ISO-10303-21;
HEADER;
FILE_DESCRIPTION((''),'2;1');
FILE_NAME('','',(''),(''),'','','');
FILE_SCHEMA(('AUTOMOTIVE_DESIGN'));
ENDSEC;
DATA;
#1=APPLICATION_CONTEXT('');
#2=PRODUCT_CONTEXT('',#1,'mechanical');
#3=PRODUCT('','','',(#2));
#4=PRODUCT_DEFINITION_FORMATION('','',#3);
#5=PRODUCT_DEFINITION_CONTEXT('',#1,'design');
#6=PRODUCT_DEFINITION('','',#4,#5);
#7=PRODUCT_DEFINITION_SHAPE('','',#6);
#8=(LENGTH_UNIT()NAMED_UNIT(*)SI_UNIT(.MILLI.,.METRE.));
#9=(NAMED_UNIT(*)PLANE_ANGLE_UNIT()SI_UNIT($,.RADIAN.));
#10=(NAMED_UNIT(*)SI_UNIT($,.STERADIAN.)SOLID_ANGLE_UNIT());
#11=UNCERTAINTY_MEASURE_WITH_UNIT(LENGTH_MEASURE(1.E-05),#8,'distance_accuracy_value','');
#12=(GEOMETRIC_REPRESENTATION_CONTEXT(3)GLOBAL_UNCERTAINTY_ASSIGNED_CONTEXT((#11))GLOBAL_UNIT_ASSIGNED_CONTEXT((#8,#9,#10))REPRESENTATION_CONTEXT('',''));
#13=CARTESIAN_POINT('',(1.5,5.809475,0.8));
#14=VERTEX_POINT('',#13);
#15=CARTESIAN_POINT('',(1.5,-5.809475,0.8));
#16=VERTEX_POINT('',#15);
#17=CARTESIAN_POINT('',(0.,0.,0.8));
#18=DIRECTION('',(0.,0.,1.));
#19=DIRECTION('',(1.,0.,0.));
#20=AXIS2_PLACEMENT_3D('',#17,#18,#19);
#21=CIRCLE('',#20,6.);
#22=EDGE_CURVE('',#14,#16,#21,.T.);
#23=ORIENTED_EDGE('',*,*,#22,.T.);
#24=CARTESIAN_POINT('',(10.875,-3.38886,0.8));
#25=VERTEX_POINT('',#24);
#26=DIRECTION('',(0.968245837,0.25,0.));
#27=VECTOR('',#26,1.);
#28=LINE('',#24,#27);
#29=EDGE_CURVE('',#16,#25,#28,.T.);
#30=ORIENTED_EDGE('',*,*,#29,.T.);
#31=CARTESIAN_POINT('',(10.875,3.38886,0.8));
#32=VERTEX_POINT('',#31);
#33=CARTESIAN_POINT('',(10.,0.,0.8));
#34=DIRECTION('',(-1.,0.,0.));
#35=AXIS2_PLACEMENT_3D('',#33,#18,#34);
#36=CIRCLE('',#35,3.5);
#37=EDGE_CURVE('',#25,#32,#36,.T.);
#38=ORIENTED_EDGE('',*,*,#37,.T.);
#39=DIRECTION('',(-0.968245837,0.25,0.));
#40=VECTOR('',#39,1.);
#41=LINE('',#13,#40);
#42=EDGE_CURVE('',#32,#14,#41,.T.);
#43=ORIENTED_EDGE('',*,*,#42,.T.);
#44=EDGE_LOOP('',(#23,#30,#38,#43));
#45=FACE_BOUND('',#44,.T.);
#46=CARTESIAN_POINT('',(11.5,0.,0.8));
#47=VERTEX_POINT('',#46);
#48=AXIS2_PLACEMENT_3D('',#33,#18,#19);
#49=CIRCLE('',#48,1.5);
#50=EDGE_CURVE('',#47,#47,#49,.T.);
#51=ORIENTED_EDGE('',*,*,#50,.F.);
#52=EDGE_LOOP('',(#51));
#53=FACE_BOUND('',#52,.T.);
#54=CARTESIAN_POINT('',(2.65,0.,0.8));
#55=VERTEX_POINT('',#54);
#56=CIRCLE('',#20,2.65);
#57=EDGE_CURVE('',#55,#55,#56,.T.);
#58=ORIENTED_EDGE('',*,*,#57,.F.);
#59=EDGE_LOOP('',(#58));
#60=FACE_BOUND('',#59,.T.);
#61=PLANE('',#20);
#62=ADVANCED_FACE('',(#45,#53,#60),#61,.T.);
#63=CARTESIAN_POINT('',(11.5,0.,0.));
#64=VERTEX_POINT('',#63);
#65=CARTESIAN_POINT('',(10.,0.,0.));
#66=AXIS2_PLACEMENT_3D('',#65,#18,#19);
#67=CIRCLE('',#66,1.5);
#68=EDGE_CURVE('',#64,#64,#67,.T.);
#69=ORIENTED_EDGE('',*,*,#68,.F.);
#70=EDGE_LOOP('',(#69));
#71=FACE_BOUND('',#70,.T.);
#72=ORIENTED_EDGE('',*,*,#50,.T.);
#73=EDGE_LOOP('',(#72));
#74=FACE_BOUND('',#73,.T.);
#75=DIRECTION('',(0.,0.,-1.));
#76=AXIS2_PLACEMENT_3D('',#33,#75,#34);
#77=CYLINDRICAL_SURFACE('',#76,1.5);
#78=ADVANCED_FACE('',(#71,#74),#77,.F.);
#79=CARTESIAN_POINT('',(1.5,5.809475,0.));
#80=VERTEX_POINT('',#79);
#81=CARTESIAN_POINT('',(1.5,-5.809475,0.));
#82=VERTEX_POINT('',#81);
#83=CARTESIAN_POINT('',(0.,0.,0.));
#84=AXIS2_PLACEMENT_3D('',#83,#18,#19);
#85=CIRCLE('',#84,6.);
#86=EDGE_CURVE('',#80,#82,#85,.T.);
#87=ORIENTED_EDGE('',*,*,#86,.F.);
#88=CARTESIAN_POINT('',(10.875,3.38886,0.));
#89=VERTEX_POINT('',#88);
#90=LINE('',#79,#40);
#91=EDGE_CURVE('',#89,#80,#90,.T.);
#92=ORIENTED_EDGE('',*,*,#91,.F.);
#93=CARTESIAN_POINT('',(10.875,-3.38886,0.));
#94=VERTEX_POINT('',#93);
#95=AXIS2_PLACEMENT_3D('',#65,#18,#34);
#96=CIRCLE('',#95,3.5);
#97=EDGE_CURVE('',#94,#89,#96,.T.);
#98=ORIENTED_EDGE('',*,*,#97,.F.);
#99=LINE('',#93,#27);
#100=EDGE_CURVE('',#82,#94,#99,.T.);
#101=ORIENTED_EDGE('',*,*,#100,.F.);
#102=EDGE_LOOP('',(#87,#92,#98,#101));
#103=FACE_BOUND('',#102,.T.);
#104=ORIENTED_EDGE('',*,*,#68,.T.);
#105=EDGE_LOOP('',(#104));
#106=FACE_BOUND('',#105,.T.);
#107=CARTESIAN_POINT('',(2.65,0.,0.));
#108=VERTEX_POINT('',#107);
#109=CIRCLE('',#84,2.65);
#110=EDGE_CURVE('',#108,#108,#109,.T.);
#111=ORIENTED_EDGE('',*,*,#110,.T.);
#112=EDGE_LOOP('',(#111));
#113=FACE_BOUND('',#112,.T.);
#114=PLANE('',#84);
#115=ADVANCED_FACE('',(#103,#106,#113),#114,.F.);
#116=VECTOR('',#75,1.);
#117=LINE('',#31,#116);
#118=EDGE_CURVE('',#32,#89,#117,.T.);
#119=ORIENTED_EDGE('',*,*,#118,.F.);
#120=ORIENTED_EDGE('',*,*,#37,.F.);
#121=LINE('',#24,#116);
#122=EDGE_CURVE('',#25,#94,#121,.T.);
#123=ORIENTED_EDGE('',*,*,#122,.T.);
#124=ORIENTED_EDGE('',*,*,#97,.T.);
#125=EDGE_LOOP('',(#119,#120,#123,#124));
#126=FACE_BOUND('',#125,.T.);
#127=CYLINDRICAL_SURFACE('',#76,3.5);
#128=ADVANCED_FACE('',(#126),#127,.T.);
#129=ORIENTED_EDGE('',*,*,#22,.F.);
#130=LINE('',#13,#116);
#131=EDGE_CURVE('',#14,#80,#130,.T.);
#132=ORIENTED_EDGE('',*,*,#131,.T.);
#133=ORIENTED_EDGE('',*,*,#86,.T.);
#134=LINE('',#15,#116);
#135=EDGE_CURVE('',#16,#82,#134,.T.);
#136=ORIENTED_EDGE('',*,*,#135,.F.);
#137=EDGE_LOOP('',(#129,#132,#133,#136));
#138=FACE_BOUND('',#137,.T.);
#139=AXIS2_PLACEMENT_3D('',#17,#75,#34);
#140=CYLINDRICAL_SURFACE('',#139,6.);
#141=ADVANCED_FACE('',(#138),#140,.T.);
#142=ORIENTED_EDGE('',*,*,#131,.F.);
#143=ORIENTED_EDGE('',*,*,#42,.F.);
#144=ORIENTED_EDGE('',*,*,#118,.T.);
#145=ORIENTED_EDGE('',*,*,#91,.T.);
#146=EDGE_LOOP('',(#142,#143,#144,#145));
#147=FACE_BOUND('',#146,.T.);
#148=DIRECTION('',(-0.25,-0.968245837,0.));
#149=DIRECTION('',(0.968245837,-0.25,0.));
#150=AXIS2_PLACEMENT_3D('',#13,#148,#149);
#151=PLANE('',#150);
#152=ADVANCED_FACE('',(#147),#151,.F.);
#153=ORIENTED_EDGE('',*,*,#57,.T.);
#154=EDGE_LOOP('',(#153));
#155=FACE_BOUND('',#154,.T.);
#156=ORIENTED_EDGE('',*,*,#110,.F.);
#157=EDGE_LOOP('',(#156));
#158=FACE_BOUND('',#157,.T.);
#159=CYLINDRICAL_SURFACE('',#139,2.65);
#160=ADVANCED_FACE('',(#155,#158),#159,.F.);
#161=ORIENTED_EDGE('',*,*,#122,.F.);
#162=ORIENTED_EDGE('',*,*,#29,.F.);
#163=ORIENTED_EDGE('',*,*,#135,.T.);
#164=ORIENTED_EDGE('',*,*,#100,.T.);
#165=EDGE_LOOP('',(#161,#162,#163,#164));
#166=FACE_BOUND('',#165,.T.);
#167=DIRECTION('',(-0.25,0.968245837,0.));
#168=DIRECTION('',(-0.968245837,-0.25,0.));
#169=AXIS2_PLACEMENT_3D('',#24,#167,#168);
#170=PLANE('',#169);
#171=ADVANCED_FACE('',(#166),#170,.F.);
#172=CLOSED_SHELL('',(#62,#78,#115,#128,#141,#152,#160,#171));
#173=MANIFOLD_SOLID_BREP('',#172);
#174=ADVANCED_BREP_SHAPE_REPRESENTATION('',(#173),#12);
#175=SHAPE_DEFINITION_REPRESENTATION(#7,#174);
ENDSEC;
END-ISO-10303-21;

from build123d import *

# Parameters (mm, degrees)
SKETCH1_R           = 2.65
SKETCH1_R_2         = 1.5
BOSS_EXTRUDE1_DEPTH = 0.8


with BuildPart() as part:
    # Sketch1 → Boss-Extrude1 (new body)
    with BuildSketch(Plane.XY):
        with BuildLine():
            Line((1.5, 5.809475019), (10.875, 3.388860428))
            ThreePointArc((10.875, 3.388860428), (13.5, 0), (10.875, -3.388860428))
            Line((10.875, -3.388860428), (1.5, -5.809475019))
            ThreePointArc((1.5, -5.809475019), (-6, 0), (1.5, 5.809475019))
        make_face()
        Circle(SKETCH1_R, mode=Mode.SUBTRACT)
        with Locations((10, 0)):
            Circle(SKETCH1_R_2, mode=Mode.SUBTRACT)
    extrude(amount=BOSS_EXTRUDE1_DEPTH)


solid = part.part
